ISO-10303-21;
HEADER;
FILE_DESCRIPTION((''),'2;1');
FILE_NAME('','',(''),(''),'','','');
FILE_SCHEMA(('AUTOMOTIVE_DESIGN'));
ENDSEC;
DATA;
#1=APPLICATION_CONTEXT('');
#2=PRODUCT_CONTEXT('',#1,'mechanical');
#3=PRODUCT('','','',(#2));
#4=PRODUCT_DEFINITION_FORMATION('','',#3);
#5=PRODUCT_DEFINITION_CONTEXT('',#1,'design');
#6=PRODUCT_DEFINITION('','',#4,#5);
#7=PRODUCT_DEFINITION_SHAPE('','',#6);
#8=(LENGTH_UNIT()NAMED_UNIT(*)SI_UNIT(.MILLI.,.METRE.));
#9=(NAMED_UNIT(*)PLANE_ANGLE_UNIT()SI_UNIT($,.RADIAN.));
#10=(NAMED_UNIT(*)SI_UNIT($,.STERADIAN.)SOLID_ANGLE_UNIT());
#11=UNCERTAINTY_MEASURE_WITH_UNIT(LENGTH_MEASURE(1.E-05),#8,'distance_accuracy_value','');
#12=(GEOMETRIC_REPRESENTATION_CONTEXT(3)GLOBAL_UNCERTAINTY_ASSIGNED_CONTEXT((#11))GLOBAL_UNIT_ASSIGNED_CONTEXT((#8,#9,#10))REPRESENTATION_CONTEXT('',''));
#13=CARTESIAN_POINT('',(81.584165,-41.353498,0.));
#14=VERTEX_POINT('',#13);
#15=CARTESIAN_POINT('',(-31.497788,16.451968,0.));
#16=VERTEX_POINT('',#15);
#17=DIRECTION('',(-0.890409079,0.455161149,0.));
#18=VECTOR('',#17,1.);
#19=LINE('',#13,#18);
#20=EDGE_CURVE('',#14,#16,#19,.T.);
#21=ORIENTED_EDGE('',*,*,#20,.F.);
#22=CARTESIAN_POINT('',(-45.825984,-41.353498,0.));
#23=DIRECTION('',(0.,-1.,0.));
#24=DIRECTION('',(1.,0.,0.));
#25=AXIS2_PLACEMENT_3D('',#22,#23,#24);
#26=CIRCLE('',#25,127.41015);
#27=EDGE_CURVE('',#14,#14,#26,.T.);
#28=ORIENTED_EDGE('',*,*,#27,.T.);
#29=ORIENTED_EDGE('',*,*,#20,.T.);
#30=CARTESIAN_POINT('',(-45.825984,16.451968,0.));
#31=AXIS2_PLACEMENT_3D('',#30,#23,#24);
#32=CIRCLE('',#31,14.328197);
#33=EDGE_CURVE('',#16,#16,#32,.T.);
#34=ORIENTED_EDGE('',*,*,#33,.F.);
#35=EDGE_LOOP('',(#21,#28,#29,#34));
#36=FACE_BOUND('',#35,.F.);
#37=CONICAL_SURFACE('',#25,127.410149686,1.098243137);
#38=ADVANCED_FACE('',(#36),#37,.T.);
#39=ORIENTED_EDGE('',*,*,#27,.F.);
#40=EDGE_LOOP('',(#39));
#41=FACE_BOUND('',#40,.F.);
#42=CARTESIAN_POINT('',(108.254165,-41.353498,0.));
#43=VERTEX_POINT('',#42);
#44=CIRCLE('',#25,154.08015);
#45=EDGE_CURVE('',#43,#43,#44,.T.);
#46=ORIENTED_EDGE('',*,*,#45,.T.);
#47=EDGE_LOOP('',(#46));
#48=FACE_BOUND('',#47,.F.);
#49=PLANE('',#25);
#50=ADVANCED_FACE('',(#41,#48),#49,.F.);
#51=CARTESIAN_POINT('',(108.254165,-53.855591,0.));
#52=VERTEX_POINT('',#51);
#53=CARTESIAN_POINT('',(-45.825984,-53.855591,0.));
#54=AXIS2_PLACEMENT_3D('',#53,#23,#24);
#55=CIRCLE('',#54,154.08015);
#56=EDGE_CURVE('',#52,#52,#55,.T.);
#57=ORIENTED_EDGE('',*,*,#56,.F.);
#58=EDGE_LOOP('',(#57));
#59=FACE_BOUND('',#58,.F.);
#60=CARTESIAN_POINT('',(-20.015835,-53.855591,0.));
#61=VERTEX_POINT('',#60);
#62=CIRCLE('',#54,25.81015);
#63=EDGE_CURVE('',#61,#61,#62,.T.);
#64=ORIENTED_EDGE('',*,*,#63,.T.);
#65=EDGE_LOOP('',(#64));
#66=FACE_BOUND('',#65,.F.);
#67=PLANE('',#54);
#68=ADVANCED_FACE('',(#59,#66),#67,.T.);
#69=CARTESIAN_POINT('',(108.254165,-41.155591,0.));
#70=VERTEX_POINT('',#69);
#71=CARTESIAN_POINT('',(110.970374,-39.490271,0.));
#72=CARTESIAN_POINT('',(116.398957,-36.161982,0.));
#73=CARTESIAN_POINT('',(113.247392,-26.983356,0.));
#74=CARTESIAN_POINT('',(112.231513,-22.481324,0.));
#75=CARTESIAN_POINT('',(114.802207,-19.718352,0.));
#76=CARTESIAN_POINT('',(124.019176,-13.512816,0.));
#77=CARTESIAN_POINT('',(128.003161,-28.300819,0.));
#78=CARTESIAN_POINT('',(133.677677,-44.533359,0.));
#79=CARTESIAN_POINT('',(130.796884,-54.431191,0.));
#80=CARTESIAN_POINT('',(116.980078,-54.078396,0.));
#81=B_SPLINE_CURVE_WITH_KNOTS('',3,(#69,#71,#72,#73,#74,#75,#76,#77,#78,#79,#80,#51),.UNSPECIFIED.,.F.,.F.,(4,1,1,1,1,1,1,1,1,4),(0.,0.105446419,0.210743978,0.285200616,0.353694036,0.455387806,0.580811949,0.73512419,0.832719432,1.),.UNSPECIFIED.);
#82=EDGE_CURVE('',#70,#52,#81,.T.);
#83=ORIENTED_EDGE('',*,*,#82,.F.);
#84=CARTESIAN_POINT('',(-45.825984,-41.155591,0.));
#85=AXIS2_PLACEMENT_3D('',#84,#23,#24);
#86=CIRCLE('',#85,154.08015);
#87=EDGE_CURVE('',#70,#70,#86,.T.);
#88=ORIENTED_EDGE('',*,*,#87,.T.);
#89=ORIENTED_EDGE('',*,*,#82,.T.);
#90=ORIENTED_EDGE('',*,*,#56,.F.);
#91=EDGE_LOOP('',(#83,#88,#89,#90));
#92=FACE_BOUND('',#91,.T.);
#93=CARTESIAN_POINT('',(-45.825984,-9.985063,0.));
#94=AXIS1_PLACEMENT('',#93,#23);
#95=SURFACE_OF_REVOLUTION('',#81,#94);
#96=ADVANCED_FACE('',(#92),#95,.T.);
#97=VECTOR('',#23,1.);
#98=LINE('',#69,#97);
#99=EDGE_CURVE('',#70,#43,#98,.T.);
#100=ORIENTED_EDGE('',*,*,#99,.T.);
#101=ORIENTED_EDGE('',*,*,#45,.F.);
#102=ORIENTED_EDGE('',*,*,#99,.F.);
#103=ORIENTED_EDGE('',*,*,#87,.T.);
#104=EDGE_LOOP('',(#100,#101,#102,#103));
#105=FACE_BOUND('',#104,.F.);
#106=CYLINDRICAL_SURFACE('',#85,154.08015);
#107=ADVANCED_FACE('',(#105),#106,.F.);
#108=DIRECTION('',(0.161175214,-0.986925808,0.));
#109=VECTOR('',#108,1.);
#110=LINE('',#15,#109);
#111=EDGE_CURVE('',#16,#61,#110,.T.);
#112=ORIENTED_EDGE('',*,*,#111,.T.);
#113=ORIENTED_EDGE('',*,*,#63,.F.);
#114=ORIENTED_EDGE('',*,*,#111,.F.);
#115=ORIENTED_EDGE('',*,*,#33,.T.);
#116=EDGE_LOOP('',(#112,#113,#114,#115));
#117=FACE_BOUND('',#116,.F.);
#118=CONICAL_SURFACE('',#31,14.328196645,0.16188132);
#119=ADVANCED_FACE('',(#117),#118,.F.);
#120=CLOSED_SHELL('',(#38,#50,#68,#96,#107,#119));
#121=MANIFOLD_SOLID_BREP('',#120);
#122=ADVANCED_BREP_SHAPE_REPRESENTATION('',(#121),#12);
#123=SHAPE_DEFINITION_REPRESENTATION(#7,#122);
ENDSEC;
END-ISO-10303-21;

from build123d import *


with BuildPart() as f1:
    # F0 (on Top) → F1 (revolve)
    with BuildSketch(Plane.XY):
        with BuildLine():
            Line((81.5841653567, -41.3534980938), (-31.4977876842, 16.4519678801))
            Line((-31.4977876842, 16.4519678801), (-20.0158346433, -53.8555905223))
            Line((-20.0158346433, -53.8555905223), (108.2541653567, -53.8555905223))
            add(Edge.make_bspline(
                [(108.2541653567, -41.1555905223), (110.9703740455, -39.490270612), (116.3989569116, -36.161981748), (113.247392372, -26.9833561081), (112.2315130114, -22.4813241475), (114.8022067207, -19.7183520035), (124.0191759407, -13.512816471), (128.0031608589, -28.3008188672), (133.6776767108, -44.5333587876), (130.7968835042, -54.4311906968), (116.9800777584, -54.0783958055), (108.2541653567, -53.8555905223)],
                knots=[0, 0, 0, 0, 0.105446419, 0.2107439778, 0.2852006156, 0.3536940363, 0.4553878061, 0.5808119493, 0.7351241905, 0.8327194321, 1, 1, 1, 1], degree=3))
            Line((108.2541653567, -41.1555905223), (108.2541653567, -41.3534980938))
            Line((108.2541653567, -41.3534980938), (81.5841653567, -41.3534980938))
        make_face()
        with BuildLine():
            add(Edge.make_bspline(
                [(8.1702219322, -22.0765750855), (6.8463701887, -22.5224667689), (10.4000510067, -30.3234689661), (0.7154113481, -43.0644861787), (-19.6472725958, -24.3461573438), (-15.906486101, -44.8141720881), (1.2723795165, -42.9048554375), (3.2094415875, -53.5397309686), (27.2737952189, -33.6007648923), (10.0748158529, -21.4350813581), (8.1702219322, -22.0765750855)],
                knots=[0, 0, 0, 0, 0.0960582964, 0.2167558419, 0.3655041479, 0.4768408032, 0.6136795219, 0.6992981516, 0.8618032205, 1, 1, 1, 1], degree=3))
        make_face(mode=Mode.SUBTRACT)
        with BuildLine():
            add(Edge.make_bspline(
                [(32.0747941732, -26.5762582421), (30.7339864579, -28.5737009072), (32.0636154073, -34.6007523067), (34.5486576557, -40.3170973412), (26.0727970573, -40.3121353117), (20.4199557482, -47.8364267478), (49.7188330505, -53.859467065), (41.4797992702, -23.0656996643), (33.2947171072, -24.7589013696), (32.0747941732, -26.5762582421)],
                knots=[0, 0, 0, 0, 0.1344596141, 0.2346918248, 0.3578682511, 0.4634409138, 0.6617629639, 0.8776630198, 1, 1, 1, 1], degree=3))
        make_face(mode=Mode.SUBTRACT)
        with BuildLine():
            add(Edge.make_bspline(
                [(-7.2974408977, -12.2335152701), (-9.0517616675, -11.371518343), (-14.2824343478, -14.0511345944), (-13.5015624809, -6.5568602881), (-18.886781382, -6.6792440236), (-17.8833193567, -15.1108958109), (-17.5813720906, -20.1408706852), (-13.576852719, -23.8073309809), (-10.3803678695, -24.5688957206), (-4.6864120462, -23.8915551205), (0.9558861049, -22.3988524683), (1.055202411, -12.5416658166), (-4.1086923759, -18.8180064715), (-5.5216435306, -13.1060648629), (-7.2974408977, -12.2335152701)],
                knots=[0, 0, 0, 0, 0.0887695082, 0.1707713121, 0.2335016765, 0.3348006202, 0.422211003, 0.5039305286, 0.5709133698, 0.6598484424, 0.7478466786, 0.8387515786, 0.9101437652, 1, 1, 1, 1], degree=3))
        make_face(mode=Mode.SUBTRACT)
        with BuildLine():
            add(Edge.make_bspline(
                [(-7.2974408977, -7.4526011012), (-8.4702668662, -8.0379467371), (-13.6818070954, -4.9597869946), (-8.6043464955, -0.1189763045), (-16.1286684026, 5.0951800913), (-7.2318703856, 0.7993109328), (-5.8412304983, -6.7258211484), (-7.2974408977, -7.4526011012)],
                knots=[0, 0, 0, 0, 0.1885366406, 0.3784822084, 0.5588385283, 0.7659081364, 1, 1, 1, 1], degree=3))
        make_face(mode=Mode.SUBTRACT)
        with BuildLine():
            add(Edge.make_bspline(
                [(8.1702219322, -22.0765750855), (6.8463701887, -22.5224667689), (10.4000510067, -30.3234689661), (0.7154113481, -43.0644861787), (-19.6472725958, -24.3461573438), (-15.906486101, -44.8141720881), (1.2723795165, -42.9048554375), (3.2094415875, -53.5397309686), (27.2737952189, -33.6007648923), (10.0748158529, -21.4350813581), (8.1702219322, -22.0765750855)],
                knots=[0, 0, 0, 0, 0.0960582964, 0.2167558419, 0.3655041479, 0.4768408032, 0.6136795219, 0.6992981516, 0.8618032205, 1, 1, 1, 1], degree=3))
        make_face()
        with BuildLine():
            add(Edge.make_bspline(
                [(32.0747941732, -26.5762582421), (30.7339864579, -28.5737009072), (32.0636154073, -34.6007523067), (34.5486576557, -40.3170973412), (26.0727970573, -40.3121353117), (20.4199557482, -47.8364267478), (49.7188330505, -53.859467065), (41.4797992702, -23.0656996643), (33.2947171072, -24.7589013696), (32.0747941732, -26.5762582421)],
                knots=[0, 0, 0, 0, 0.1344596141, 0.2346918248, 0.3578682511, 0.4634409138, 0.6617629639, 0.8776630198, 1, 1, 1, 1], degree=3))
        make_face()
        with BuildLine():
            add(Edge.make_bspline(
                [(-7.2974408977, -12.2335152701), (-9.0517616675, -11.371518343), (-14.2824343478, -14.0511345944), (-13.5015624809, -6.5568602881), (-18.886781382, -6.6792440236), (-17.8833193567, -15.1108958109), (-17.5813720906, -20.1408706852), (-13.576852719, -23.8073309809), (-10.3803678695, -24.5688957206), (-4.6864120462, -23.8915551205), (0.9558861049, -22.3988524683), (1.055202411, -12.5416658166), (-4.1086923759, -18.8180064715), (-5.5216435306, -13.1060648629), (-7.2974408977, -12.2335152701)],
                knots=[0, 0, 0, 0, 0.0887695082, 0.1707713121, 0.2335016765, 0.3348006202, 0.422211003, 0.5039305286, 0.5709133698, 0.6598484424, 0.7478466786, 0.8387515786, 0.9101437652, 1, 1, 1, 1], degree=3))
        make_face()
        with BuildLine():
            add(Edge.make_bspline(
                [(-7.2974408977, -7.4526011012), (-8.4702668662, -8.0379467371), (-13.6818070954, -4.9597869946), (-8.6043464955, -0.1189763045), (-16.1286684026, 5.0951800913), (-7.2318703856, 0.7993109328), (-5.8412304983, -6.7258211484), (-7.2974408977, -7.4526011012)],
                knots=[0, 0, 0, 0, 0.1885366406, 0.3784822084, 0.5588385283, 0.7659081364, 1, 1, 1, 1], degree=3))
        make_face()
    revolve(axis=Axis((-45.825984329, -9.985063225, 0), (0, -1, 0)))


solid = f1.part
